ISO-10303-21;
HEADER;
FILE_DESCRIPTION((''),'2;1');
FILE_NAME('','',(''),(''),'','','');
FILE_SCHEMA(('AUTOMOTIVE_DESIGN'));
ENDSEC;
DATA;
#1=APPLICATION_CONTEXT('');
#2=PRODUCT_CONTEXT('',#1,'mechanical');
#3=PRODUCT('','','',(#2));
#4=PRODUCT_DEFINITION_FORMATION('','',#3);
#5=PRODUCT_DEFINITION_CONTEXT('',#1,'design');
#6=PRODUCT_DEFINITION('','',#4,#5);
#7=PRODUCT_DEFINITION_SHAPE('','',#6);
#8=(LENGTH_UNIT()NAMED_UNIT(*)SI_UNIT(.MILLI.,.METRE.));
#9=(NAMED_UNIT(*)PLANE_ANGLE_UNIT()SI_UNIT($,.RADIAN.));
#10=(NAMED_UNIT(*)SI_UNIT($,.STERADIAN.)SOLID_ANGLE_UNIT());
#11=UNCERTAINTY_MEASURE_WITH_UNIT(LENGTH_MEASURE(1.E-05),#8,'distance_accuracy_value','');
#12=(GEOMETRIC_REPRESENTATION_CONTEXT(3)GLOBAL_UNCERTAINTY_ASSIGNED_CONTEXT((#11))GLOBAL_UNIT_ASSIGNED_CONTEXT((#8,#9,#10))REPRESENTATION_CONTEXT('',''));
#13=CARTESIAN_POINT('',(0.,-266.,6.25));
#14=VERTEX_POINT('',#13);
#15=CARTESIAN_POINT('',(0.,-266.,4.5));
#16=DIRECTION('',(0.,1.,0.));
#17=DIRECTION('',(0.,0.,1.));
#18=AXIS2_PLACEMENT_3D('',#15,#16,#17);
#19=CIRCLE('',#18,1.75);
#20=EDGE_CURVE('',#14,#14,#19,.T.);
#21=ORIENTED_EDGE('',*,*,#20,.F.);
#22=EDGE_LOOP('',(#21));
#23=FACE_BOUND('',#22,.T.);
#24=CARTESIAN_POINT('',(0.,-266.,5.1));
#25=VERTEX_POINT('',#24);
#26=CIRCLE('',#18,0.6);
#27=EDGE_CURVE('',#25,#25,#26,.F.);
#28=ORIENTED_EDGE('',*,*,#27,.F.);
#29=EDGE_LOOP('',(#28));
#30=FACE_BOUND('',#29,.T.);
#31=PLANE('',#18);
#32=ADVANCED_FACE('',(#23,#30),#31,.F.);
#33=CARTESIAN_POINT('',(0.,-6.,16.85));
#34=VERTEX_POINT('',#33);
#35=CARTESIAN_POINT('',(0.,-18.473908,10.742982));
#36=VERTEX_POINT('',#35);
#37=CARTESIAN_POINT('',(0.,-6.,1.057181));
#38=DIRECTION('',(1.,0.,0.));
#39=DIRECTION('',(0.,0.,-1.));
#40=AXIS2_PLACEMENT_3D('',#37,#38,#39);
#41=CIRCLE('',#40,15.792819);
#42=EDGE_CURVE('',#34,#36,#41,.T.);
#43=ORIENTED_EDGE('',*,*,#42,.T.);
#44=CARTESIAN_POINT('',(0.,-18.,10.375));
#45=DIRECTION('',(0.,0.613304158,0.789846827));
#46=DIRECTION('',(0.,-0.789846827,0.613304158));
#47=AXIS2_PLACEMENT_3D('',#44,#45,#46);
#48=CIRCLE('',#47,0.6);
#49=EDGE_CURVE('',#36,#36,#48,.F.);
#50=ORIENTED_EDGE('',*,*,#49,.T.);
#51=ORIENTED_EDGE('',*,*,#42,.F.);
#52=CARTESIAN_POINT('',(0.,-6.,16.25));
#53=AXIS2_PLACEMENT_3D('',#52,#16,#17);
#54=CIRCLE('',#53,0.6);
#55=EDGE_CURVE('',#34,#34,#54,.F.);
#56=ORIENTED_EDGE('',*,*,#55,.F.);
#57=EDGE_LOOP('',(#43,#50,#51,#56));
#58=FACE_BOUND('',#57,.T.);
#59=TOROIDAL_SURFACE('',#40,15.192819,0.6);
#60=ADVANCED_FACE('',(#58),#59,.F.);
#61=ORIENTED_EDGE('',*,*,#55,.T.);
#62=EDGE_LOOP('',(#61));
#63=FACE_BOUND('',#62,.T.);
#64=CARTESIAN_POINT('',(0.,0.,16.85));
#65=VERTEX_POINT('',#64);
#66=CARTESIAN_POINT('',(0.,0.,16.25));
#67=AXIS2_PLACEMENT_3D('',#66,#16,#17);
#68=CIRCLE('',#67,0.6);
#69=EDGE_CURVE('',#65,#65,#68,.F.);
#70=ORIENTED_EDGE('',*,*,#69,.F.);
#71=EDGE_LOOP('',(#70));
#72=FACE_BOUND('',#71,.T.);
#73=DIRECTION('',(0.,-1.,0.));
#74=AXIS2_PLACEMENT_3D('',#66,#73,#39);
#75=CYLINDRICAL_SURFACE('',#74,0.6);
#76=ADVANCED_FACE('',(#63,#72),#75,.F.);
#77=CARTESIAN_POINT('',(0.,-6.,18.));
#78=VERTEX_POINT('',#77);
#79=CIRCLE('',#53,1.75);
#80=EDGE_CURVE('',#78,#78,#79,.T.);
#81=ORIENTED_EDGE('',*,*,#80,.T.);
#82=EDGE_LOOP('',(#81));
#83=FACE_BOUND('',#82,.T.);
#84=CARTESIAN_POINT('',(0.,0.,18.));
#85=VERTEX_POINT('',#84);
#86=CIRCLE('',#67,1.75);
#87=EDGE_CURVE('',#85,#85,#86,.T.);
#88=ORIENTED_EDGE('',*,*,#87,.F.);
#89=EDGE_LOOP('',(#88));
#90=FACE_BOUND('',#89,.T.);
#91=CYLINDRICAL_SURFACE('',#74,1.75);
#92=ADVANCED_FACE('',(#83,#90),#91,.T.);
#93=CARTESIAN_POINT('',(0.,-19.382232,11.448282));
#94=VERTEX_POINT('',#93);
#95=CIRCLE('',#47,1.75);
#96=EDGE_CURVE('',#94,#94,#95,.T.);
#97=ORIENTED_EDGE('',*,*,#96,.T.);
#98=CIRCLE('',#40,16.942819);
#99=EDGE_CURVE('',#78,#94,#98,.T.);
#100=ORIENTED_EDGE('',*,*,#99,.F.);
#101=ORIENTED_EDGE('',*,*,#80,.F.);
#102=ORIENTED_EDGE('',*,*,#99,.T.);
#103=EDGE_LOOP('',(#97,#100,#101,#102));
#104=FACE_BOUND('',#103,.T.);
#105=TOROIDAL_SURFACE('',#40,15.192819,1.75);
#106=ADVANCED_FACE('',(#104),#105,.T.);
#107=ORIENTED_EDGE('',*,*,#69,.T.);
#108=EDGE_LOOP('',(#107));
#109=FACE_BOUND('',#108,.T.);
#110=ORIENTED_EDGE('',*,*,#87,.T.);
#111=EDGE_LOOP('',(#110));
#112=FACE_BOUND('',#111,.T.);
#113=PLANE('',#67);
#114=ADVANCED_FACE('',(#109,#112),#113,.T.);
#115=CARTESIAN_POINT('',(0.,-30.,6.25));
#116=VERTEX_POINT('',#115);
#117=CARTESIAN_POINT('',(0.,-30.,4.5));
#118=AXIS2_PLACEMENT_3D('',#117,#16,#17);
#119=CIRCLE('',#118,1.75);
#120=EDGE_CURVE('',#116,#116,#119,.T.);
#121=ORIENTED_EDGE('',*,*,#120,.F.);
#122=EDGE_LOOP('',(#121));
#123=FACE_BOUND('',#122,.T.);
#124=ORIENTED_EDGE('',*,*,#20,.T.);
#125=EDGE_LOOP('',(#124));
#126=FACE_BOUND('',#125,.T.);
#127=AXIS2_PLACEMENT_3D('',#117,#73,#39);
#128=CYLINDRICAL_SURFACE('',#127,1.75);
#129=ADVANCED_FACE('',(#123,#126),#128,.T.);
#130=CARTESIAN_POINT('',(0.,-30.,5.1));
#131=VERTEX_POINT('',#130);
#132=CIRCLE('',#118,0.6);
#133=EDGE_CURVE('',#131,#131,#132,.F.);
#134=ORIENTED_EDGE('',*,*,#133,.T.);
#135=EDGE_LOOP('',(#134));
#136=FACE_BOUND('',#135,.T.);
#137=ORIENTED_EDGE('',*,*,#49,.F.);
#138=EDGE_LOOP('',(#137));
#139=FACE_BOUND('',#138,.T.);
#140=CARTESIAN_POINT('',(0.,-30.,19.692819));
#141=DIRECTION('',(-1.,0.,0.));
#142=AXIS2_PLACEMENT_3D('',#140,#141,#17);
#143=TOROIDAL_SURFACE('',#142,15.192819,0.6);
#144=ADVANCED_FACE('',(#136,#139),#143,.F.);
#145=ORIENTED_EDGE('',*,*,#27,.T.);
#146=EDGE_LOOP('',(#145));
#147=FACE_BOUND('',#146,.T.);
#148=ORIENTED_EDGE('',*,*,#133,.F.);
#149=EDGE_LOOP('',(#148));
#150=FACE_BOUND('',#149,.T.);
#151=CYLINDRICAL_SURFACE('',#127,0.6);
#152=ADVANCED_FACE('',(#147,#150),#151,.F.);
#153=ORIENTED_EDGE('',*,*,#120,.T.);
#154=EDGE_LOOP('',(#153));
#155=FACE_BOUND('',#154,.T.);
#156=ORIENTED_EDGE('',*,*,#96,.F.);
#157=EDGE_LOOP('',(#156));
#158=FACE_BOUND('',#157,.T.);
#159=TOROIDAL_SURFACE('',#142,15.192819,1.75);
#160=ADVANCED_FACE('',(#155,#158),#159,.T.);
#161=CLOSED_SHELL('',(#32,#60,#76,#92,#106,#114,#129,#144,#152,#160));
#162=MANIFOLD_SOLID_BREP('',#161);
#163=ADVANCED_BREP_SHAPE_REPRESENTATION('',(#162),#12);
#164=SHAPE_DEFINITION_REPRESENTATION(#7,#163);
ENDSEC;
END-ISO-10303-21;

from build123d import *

# Parameters (mm, degrees)
UTILITY_CIRCULAR_CROSS_SECTION_R   = 1.75
UTILITY_CIRCULAR_CROSS_SECTION_R_2 = 0.6


with BuildPart() as part:
    # Native hollow utility sweep: sweep along a path in Illustrative smooth utility route
    with BuildLine(Plane(origin=(0, 0, 0), x_dir=(0, 0, -1), z_dir=(1, 0, 0))) as native_hollow_utility_sweep_path:
        Line((-16.25, 0), (-16.25, -6))
        ThreePointArc((-16.25, -6), (-14.702430847, -12.680486977), (-10.375, -18))
        ThreePointArc((-10.375, -18), (-6.047569153, -23.319513023), (-4.5, -30))
        Line((-4.5, -30), (-4.5, -266))
    # Utility circular cross section → Native hollow utility sweep (sweep)
    with BuildSketch(Plane(origin=(0, 0, 0), x_dir=(1, 0, 0), z_dir=(0, 1, 0))):
        with Locations((0, -16.25)):
            Circle(UTILITY_CIRCULAR_CROSS_SECTION_R)
        with Locations((0, -16.25)):
            Circle(UTILITY_CIRCULAR_CROSS_SECTION_R_2, mode=Mode.SUBTRACT)
    sweep(path=native_hollow_utility_sweep_path.line)


solid = part.part
